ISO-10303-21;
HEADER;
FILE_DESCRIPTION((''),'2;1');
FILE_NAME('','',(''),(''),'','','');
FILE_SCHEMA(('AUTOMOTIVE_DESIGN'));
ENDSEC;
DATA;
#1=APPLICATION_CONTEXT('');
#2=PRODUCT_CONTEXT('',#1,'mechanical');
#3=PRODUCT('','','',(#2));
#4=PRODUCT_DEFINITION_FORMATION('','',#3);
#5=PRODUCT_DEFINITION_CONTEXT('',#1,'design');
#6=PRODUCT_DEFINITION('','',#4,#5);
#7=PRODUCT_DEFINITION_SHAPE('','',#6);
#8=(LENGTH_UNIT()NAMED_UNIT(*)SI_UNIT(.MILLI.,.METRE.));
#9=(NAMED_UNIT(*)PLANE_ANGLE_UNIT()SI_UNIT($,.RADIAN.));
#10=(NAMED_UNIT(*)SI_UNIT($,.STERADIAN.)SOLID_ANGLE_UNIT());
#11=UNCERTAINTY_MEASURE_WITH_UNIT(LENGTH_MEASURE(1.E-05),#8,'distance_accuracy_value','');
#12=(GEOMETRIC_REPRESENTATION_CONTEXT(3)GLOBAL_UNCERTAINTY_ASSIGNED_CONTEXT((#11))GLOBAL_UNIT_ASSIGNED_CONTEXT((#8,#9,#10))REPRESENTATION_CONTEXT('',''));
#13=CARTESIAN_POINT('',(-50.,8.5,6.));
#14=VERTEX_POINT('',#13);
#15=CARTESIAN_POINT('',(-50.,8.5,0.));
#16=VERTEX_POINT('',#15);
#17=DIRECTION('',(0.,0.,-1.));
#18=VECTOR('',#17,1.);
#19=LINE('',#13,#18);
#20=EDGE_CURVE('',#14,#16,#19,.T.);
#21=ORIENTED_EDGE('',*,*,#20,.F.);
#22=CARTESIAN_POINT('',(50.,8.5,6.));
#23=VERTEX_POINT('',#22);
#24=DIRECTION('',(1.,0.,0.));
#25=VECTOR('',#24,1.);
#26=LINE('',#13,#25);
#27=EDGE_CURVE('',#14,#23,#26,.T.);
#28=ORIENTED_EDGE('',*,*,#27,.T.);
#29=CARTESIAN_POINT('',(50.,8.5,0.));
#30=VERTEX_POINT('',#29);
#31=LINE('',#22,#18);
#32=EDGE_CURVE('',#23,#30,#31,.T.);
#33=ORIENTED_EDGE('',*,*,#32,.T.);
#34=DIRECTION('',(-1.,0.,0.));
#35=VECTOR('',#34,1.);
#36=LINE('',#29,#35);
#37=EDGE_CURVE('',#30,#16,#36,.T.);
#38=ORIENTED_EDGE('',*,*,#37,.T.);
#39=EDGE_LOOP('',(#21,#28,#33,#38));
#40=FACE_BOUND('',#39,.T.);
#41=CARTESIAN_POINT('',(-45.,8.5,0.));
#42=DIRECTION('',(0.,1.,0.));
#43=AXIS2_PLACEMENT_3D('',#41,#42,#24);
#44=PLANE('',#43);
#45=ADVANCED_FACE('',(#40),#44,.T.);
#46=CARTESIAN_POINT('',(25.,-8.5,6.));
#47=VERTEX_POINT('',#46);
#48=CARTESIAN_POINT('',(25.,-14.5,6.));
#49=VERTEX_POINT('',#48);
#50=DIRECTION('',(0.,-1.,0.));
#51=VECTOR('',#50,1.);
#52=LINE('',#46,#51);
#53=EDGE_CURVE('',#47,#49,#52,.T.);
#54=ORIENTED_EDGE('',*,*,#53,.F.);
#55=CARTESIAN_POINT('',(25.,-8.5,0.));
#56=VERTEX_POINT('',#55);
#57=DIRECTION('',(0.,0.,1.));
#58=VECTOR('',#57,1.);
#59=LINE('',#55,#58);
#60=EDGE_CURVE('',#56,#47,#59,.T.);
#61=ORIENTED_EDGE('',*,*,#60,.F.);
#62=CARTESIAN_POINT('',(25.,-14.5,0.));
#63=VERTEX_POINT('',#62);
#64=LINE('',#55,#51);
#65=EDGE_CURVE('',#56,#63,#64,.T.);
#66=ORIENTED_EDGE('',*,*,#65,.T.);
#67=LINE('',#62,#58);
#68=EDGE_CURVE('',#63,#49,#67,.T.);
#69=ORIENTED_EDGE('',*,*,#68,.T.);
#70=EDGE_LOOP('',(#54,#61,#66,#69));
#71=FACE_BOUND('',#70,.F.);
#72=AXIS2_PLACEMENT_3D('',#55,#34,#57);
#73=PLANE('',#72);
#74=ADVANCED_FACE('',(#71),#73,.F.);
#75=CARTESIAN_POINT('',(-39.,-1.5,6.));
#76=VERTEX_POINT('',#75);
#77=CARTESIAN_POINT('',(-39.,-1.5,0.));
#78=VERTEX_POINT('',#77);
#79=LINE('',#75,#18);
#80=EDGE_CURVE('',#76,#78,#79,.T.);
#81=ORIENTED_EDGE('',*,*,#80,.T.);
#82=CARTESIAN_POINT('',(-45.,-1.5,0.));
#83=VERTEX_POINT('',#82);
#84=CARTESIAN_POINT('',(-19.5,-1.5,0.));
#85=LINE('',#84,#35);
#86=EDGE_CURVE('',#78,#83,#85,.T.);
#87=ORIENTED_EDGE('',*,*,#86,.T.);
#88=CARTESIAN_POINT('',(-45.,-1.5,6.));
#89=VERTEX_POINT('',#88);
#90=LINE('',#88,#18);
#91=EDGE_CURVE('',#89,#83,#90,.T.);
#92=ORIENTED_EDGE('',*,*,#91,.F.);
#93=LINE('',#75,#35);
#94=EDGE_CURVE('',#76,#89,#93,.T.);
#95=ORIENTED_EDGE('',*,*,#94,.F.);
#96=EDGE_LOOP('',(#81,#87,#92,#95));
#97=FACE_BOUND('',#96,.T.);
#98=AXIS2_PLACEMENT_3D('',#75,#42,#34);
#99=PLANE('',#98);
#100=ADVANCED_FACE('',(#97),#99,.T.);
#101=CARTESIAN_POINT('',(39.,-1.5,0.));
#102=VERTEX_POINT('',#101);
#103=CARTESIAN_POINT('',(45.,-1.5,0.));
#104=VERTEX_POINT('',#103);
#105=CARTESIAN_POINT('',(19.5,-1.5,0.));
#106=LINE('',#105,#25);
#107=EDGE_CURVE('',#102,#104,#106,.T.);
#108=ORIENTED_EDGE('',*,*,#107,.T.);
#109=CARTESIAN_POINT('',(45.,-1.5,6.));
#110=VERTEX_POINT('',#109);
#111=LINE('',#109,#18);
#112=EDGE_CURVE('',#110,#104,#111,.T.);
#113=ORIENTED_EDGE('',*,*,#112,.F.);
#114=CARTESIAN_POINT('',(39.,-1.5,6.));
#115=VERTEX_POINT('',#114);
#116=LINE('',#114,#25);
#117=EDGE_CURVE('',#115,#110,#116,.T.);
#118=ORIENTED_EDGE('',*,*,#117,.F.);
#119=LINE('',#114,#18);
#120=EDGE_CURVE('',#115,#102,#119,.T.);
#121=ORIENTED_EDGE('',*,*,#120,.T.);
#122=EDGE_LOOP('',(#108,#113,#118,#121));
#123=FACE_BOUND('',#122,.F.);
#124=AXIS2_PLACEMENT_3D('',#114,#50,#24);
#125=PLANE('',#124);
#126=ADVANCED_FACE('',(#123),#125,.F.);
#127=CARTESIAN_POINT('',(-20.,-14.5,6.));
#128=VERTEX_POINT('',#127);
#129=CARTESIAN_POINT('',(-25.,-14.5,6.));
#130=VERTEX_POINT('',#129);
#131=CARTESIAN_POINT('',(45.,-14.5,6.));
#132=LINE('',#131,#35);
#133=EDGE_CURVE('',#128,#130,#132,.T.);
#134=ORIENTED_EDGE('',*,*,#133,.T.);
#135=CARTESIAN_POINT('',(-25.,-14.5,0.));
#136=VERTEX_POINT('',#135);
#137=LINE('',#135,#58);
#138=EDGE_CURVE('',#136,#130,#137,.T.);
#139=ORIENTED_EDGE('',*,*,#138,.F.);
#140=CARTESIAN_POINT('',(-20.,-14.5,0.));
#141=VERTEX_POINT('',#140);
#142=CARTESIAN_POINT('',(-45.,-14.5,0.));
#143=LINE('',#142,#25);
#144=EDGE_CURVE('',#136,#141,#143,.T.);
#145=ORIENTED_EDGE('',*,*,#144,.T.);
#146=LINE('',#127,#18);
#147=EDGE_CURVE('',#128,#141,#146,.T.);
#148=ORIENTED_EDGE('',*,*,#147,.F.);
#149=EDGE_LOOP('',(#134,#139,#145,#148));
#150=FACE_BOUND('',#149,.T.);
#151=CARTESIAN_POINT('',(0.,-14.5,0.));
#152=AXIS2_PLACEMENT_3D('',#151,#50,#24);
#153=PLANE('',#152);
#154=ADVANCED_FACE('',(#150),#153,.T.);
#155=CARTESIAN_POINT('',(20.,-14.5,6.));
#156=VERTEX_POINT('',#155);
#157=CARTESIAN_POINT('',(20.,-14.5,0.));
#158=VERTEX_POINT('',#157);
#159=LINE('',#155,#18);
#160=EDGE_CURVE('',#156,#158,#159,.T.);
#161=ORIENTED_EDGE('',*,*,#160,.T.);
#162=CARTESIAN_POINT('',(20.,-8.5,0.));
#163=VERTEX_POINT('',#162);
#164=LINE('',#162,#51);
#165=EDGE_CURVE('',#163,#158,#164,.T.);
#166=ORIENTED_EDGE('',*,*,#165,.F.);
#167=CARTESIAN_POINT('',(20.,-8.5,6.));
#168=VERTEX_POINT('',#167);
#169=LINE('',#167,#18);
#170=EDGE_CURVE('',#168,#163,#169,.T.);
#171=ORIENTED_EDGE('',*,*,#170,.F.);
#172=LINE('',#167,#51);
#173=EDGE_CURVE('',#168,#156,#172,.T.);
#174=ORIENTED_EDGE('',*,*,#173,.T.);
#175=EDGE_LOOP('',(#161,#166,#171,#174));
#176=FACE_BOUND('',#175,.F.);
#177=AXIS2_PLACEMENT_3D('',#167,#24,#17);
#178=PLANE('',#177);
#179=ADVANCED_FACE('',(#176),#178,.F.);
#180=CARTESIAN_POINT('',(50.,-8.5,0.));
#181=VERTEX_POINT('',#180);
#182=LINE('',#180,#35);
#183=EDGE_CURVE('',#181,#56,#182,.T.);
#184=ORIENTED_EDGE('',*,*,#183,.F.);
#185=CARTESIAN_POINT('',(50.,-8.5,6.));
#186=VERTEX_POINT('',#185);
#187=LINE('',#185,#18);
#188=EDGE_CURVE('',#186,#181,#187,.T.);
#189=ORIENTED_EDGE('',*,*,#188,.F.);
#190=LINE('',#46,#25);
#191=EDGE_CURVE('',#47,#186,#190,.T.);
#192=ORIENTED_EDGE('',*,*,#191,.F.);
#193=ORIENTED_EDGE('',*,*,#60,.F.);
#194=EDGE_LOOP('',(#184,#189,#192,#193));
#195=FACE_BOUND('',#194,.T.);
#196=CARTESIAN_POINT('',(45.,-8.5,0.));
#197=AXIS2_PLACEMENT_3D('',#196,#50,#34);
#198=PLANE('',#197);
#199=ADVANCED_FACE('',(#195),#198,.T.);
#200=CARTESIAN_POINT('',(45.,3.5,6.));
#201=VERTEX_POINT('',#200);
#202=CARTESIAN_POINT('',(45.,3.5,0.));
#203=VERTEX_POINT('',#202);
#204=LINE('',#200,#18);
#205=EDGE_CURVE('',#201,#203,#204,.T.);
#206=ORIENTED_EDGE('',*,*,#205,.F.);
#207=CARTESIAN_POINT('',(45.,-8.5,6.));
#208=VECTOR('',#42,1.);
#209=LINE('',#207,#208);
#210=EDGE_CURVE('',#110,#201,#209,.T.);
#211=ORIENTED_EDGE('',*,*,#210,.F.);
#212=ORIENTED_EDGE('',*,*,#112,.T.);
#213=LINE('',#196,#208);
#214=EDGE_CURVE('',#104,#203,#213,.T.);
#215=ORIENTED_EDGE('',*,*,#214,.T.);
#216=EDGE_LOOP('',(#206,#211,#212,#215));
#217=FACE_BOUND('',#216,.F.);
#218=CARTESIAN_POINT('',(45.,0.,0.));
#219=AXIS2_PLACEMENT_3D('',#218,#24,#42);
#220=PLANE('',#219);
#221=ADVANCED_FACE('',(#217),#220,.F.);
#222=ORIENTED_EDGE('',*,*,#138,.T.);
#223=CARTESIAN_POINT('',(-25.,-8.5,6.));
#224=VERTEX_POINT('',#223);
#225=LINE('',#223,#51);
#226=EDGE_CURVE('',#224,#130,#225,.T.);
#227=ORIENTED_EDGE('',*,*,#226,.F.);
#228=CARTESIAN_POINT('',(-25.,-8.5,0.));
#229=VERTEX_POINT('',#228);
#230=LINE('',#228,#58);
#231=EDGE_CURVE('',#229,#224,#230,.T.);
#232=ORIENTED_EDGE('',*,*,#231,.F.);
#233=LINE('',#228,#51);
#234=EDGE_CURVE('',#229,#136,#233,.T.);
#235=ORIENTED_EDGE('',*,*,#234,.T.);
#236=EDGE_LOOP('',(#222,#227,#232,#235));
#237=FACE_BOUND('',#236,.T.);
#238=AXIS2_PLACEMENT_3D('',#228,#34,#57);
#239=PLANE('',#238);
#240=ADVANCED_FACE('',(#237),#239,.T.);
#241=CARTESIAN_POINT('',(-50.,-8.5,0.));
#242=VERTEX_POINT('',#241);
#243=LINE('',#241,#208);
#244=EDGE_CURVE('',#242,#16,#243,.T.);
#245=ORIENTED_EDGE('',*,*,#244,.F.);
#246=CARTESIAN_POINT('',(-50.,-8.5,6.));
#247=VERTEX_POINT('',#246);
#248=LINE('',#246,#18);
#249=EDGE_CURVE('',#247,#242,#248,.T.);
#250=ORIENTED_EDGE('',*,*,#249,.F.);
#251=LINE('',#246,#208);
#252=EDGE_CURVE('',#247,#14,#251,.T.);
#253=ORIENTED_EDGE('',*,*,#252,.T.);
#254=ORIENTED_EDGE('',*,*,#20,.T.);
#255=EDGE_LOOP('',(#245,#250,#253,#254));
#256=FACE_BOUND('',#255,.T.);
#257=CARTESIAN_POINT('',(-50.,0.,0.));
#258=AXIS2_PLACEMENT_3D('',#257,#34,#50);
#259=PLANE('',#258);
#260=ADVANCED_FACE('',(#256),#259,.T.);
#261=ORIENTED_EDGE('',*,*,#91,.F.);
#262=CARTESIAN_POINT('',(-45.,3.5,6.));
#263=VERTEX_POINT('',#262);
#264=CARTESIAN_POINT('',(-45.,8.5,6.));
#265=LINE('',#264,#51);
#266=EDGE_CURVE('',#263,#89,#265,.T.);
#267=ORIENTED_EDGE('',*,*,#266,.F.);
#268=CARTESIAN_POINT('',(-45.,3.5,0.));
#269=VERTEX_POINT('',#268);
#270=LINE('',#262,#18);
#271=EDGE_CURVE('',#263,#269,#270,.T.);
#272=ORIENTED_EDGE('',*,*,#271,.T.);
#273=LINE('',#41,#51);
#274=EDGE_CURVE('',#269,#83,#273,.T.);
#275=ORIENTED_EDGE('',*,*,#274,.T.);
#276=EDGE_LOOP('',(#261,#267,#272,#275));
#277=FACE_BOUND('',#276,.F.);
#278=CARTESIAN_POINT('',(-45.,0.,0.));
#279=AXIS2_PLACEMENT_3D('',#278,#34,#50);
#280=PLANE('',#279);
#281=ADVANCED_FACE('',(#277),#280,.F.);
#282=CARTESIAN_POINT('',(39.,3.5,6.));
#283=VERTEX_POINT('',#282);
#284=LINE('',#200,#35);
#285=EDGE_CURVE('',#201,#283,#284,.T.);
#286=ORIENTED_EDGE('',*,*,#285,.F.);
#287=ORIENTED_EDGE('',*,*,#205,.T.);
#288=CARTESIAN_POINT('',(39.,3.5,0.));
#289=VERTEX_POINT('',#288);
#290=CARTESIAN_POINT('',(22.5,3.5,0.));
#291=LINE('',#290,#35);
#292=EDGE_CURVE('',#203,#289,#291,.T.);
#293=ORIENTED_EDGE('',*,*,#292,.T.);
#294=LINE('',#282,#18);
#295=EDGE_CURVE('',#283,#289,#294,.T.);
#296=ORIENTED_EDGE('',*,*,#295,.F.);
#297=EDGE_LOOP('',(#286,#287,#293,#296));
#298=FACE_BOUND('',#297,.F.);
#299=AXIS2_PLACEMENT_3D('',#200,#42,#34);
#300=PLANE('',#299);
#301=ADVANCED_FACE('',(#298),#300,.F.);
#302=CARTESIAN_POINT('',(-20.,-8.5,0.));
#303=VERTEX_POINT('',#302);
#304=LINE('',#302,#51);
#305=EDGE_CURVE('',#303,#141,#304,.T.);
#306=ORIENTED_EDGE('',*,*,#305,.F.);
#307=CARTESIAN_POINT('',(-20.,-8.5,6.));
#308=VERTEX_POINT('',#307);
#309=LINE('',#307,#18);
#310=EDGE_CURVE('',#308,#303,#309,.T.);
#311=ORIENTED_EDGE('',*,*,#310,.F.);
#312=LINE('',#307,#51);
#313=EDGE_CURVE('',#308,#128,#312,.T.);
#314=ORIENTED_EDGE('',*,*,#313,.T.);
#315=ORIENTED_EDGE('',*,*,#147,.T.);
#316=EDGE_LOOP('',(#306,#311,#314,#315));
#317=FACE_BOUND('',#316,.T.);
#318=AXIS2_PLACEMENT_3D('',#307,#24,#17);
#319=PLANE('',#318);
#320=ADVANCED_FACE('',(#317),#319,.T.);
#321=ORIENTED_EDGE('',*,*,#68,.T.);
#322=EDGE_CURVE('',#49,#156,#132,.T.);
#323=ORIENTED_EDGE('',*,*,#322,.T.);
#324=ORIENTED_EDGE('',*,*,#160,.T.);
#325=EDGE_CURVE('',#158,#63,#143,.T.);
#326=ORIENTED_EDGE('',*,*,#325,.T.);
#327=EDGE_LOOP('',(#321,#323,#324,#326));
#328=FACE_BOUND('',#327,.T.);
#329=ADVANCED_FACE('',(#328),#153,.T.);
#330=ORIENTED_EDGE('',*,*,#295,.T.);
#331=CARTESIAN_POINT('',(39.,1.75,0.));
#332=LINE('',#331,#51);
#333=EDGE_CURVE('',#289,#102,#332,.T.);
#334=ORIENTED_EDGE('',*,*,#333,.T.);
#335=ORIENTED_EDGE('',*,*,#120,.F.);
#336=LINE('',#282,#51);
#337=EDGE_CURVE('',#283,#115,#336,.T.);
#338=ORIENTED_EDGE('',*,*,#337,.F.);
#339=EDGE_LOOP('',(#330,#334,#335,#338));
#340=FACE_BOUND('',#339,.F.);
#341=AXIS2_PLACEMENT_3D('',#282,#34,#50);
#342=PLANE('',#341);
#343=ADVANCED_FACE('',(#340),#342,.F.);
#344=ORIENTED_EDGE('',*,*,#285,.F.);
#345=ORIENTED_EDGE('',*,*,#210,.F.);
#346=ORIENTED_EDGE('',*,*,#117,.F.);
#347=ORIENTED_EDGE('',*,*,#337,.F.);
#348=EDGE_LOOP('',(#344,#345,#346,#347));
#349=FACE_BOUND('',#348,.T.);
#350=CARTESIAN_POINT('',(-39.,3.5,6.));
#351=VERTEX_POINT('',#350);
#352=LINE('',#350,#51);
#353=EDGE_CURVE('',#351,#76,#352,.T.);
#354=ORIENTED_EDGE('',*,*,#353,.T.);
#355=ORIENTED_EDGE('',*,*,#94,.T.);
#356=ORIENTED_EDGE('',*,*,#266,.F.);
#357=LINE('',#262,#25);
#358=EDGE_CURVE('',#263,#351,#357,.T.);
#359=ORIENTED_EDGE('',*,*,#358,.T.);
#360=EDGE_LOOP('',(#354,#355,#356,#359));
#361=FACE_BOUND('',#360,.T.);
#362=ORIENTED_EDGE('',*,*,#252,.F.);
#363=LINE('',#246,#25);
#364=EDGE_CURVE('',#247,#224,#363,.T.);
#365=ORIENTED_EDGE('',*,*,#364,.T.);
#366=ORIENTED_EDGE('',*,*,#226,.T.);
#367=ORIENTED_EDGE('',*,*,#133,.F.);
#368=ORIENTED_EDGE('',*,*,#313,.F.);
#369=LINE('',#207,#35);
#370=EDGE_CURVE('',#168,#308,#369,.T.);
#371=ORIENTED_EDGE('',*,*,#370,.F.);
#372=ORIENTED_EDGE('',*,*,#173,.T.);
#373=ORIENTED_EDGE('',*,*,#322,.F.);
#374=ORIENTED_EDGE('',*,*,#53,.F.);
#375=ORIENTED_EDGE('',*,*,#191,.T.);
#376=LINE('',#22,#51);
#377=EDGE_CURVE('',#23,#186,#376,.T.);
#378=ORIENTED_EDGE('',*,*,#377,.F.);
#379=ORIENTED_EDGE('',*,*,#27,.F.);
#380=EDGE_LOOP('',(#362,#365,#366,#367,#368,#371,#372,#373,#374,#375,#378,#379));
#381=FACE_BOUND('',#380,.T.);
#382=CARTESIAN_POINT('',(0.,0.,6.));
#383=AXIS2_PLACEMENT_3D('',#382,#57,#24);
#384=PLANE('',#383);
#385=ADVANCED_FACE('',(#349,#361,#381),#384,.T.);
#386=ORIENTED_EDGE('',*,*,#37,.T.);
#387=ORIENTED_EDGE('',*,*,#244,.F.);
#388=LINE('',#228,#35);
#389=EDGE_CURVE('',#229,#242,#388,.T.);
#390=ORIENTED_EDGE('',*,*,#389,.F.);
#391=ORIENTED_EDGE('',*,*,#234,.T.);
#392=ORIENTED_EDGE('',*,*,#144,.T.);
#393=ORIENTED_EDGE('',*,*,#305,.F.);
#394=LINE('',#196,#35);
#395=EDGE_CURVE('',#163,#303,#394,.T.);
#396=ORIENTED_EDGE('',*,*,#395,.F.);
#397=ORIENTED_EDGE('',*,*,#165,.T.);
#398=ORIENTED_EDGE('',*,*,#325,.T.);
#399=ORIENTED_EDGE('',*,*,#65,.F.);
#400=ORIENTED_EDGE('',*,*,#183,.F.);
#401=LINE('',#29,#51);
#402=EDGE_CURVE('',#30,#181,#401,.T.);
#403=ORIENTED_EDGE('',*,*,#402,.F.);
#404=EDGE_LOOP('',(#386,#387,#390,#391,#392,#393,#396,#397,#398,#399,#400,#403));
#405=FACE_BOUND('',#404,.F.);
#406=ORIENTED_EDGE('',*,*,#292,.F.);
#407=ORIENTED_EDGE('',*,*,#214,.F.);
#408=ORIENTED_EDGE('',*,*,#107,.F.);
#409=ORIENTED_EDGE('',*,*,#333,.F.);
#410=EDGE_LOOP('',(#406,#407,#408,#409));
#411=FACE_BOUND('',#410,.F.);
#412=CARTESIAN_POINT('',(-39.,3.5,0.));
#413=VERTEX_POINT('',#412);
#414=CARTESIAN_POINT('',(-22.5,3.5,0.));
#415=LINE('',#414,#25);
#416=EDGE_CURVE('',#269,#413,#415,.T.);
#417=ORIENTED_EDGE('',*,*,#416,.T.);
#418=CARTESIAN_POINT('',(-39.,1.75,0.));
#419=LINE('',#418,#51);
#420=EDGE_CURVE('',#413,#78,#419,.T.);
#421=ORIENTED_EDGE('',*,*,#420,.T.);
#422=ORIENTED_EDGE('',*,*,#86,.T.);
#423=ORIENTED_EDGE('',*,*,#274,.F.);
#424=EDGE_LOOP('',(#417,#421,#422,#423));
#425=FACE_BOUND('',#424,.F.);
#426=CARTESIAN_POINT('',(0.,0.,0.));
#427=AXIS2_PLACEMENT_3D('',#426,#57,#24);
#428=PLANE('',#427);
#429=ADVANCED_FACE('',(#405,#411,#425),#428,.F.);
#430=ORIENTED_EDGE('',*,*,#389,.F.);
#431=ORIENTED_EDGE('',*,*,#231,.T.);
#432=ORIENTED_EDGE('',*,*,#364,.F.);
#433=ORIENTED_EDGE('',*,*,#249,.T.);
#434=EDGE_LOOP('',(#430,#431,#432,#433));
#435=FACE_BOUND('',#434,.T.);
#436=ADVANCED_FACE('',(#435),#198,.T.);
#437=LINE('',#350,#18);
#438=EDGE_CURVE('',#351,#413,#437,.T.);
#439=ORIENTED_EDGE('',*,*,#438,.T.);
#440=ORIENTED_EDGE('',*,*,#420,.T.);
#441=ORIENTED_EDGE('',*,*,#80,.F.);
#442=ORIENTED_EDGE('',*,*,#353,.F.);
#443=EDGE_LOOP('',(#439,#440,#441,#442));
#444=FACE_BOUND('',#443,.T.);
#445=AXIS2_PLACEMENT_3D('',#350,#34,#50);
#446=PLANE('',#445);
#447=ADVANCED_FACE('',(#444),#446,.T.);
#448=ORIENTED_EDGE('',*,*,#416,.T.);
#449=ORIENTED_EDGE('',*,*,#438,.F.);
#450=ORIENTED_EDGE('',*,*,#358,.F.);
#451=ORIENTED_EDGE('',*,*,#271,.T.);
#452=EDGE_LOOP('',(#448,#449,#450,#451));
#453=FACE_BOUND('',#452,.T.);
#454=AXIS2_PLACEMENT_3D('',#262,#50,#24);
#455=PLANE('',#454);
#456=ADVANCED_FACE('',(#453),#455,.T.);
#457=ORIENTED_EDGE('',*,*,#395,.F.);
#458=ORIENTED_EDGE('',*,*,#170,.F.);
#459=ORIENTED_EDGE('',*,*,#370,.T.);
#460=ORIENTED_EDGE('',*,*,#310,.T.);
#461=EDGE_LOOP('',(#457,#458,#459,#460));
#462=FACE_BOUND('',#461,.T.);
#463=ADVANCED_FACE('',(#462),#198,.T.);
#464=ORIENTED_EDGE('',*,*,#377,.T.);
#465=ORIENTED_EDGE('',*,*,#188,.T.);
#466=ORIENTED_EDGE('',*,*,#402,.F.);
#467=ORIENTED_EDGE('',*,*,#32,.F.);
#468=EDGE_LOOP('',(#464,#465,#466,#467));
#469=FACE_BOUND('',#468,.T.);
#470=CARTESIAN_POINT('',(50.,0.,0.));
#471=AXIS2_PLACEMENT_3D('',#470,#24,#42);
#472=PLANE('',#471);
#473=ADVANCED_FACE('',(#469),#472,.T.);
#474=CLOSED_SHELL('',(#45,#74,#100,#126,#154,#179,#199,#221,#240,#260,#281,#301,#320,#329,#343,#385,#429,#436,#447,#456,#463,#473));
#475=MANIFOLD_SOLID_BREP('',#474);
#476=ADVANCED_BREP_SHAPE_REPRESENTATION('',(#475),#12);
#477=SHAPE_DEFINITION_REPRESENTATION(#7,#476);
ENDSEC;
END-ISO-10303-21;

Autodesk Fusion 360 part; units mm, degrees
sketch "Sketch1" plane through (0, 0, 0) normal (0, 0, 1) x (1, 0, 0)
  line L0 (-45, 8.5) -> (45, 8.5)
  line L1 (45, 8.5) -> (45, -8.5)
  line L2 (45, -8.5) -> (-45, -8.5)
  line L3 (-45, -8.5) -> (-45, 8.5)
  line L4 (-45, 8.5) -> (45, -8.5) construction
  line L5 (45, 8.5) -> (-45, -8.5) construction
  dimension "d1" = 90
  dimension "d2" = 17
extrude "Extrude1" add sketch "Sketch1" along normal blind 6
sketch "Sketch2" plane through (0, 0, 6) normal (0, 0, 1) x (-1, 0, 0)
  line L0 (45, 8.5) -> (-45, 8.5)
  line L1 (-45, 8.5) -> (-45, -8.5)
  line L2 (-45, -8.5) -> (45, -8.5)
  line L3 (45, -8.5) -> (45, 8.5)
  line L4 (45, -8.5) -> (39, -8.5) construction
  line L5 (39, -8.5) -> (39, -3.5) construction
  line L6 (39, -3.5) -> (45, -3.5) construction
  line L7 (45, -3.5) -> (45, -8.5) construction
  line L8 (-45, -8.5) -> (-39, -8.5) construction
  line L9 (-39, -8.5) -> (-39, -3.5) construction
  line L10 (-39, -3.5) -> (-45, -3.5) construction
  line L11 (-45, -3.5) -> (-45, -8.5) construction
  line L12 (45, -3.5) -> (39, -3.5)
  line L13 (39, -3.5) -> (39, 1.5)
  line L14 (39, 1.5) -> (45, 1.5)
  line L15 (45, 1.5) -> (45, -3.5)
  line L16 (-45, -3.5) -> (-39, -3.5)
  line L17 (-39, -3.5) -> (-39, 1.5)
  line L18 (-39, 1.5) -> (-45, 1.5)
  line L19 (-45, 1.5) -> (-45, -3.5)
  dimension "d5" = 6
  dimension "d6" = 5
  dimension "d7" = 6
  dimension "d8" = 5
  dimension "d9" = 5
  dimension "d10" = 5
extrude "Extrude2" cut sketch "Sketch2" against normal blind 9 contours L3 L12 L13 L14 L15 | L1 L16 L17 L18 L19
sketch "Sketch3" plane through (0, -8.5, 0) normal (0, -1, 0) x (1, 0, 0)
  line L0 (-45, 0) -> (45, 0)
  line L1 (45, 0) -> (45, 6)
  line L2 (45, 6) -> (-45, 6)
  line L3 (-45, 6) -> (-45, 0)
  line L4 (0, 6) -> (39, 6) construction
  line L5 (39, 0) -> (39, 6) construction
  line L6 (0, 6) -> (-39, 6) construction
  line L7 (-39, 6) -> (-39, 0) construction
  line L8 (0, 6) -> (0, 0)
  line L9 (0, 2.5249) -> (-20, 2.5249) construction
  line L10 (-20, 2.5249) -> (-20, 0) construction
  line L11 (0, 2.5249) -> (20, 2.5249) construction
  line L12 (-20, 0) -> (-25, 0)
  line L13 (-25, 0) -> (-25, 6)
  line L14 (-25, 6) -> (-20, 6)
  line L15 (-20, 6) -> (-20, 0)
  line L16 (20, 0) -> (25, 0)
  line L17 (25, 0) -> (25, 6)
  line L18 (25, 6) -> (20, 6)
  line L19 (20, 6) -> (20, 0)
extrude "Extrude3" add sketch "Sketch3" along normal blind 6 contours L0 L2 L12 L13 L14 L15 | L0 L2 L16 L17 L18 L19
sketch "Sketch4" plane through (-45, 0, 0) normal (-1, 0, 0) x (0, -1, 0)
  line L0 (-3.5, 0) -> (-3.5, 6)
  line L1 (-3.5, 6) -> (-8.5, 6)
  line L2 (-8.5, 6) -> (-8.5, 0)
  line L3 (-8.5, 0) -> (-3.5, 0)
  line L4 (-8.5, 6) -> (8.5, 6)
  line L5 (8.5, 6) -> (8.5, 0)
  line L6 (8.5, 0) -> (-8.5, 0)
  line L7 (-8.5, 0) -> (-8.5, 6)
  dimension "d15" = 17
  dimension "d16" = 6
extrude "Extrude4" add sketch "Sketch4" along normal blind 5
sketch "Sketch5" plane through (45, 0, 0) normal (1, 0, 0) x (0, 1, 0)
  line L0 (-1.5, 0) -> (-1.5, 6)
  line L1 (-1.5, 6) -> (-8.5, 6)
  line L2 (-8.5, 6) -> (-8.5, 0)
  line L3 (-8.5, 0) -> (-1.5, 0)
  line L4 (-8.5, 6) -> (8.5, 6)
  line L5 (8.5, 6) -> (8.5, 0)
  line L6 (8.5, 0) -> (-8.5, 0)
  line L7 (-8.5, 0) -> (-8.5, 6)
  dimension "d19" = 17
extrude "Extrude5" add sketch "Sketch5" along normal blind 5
